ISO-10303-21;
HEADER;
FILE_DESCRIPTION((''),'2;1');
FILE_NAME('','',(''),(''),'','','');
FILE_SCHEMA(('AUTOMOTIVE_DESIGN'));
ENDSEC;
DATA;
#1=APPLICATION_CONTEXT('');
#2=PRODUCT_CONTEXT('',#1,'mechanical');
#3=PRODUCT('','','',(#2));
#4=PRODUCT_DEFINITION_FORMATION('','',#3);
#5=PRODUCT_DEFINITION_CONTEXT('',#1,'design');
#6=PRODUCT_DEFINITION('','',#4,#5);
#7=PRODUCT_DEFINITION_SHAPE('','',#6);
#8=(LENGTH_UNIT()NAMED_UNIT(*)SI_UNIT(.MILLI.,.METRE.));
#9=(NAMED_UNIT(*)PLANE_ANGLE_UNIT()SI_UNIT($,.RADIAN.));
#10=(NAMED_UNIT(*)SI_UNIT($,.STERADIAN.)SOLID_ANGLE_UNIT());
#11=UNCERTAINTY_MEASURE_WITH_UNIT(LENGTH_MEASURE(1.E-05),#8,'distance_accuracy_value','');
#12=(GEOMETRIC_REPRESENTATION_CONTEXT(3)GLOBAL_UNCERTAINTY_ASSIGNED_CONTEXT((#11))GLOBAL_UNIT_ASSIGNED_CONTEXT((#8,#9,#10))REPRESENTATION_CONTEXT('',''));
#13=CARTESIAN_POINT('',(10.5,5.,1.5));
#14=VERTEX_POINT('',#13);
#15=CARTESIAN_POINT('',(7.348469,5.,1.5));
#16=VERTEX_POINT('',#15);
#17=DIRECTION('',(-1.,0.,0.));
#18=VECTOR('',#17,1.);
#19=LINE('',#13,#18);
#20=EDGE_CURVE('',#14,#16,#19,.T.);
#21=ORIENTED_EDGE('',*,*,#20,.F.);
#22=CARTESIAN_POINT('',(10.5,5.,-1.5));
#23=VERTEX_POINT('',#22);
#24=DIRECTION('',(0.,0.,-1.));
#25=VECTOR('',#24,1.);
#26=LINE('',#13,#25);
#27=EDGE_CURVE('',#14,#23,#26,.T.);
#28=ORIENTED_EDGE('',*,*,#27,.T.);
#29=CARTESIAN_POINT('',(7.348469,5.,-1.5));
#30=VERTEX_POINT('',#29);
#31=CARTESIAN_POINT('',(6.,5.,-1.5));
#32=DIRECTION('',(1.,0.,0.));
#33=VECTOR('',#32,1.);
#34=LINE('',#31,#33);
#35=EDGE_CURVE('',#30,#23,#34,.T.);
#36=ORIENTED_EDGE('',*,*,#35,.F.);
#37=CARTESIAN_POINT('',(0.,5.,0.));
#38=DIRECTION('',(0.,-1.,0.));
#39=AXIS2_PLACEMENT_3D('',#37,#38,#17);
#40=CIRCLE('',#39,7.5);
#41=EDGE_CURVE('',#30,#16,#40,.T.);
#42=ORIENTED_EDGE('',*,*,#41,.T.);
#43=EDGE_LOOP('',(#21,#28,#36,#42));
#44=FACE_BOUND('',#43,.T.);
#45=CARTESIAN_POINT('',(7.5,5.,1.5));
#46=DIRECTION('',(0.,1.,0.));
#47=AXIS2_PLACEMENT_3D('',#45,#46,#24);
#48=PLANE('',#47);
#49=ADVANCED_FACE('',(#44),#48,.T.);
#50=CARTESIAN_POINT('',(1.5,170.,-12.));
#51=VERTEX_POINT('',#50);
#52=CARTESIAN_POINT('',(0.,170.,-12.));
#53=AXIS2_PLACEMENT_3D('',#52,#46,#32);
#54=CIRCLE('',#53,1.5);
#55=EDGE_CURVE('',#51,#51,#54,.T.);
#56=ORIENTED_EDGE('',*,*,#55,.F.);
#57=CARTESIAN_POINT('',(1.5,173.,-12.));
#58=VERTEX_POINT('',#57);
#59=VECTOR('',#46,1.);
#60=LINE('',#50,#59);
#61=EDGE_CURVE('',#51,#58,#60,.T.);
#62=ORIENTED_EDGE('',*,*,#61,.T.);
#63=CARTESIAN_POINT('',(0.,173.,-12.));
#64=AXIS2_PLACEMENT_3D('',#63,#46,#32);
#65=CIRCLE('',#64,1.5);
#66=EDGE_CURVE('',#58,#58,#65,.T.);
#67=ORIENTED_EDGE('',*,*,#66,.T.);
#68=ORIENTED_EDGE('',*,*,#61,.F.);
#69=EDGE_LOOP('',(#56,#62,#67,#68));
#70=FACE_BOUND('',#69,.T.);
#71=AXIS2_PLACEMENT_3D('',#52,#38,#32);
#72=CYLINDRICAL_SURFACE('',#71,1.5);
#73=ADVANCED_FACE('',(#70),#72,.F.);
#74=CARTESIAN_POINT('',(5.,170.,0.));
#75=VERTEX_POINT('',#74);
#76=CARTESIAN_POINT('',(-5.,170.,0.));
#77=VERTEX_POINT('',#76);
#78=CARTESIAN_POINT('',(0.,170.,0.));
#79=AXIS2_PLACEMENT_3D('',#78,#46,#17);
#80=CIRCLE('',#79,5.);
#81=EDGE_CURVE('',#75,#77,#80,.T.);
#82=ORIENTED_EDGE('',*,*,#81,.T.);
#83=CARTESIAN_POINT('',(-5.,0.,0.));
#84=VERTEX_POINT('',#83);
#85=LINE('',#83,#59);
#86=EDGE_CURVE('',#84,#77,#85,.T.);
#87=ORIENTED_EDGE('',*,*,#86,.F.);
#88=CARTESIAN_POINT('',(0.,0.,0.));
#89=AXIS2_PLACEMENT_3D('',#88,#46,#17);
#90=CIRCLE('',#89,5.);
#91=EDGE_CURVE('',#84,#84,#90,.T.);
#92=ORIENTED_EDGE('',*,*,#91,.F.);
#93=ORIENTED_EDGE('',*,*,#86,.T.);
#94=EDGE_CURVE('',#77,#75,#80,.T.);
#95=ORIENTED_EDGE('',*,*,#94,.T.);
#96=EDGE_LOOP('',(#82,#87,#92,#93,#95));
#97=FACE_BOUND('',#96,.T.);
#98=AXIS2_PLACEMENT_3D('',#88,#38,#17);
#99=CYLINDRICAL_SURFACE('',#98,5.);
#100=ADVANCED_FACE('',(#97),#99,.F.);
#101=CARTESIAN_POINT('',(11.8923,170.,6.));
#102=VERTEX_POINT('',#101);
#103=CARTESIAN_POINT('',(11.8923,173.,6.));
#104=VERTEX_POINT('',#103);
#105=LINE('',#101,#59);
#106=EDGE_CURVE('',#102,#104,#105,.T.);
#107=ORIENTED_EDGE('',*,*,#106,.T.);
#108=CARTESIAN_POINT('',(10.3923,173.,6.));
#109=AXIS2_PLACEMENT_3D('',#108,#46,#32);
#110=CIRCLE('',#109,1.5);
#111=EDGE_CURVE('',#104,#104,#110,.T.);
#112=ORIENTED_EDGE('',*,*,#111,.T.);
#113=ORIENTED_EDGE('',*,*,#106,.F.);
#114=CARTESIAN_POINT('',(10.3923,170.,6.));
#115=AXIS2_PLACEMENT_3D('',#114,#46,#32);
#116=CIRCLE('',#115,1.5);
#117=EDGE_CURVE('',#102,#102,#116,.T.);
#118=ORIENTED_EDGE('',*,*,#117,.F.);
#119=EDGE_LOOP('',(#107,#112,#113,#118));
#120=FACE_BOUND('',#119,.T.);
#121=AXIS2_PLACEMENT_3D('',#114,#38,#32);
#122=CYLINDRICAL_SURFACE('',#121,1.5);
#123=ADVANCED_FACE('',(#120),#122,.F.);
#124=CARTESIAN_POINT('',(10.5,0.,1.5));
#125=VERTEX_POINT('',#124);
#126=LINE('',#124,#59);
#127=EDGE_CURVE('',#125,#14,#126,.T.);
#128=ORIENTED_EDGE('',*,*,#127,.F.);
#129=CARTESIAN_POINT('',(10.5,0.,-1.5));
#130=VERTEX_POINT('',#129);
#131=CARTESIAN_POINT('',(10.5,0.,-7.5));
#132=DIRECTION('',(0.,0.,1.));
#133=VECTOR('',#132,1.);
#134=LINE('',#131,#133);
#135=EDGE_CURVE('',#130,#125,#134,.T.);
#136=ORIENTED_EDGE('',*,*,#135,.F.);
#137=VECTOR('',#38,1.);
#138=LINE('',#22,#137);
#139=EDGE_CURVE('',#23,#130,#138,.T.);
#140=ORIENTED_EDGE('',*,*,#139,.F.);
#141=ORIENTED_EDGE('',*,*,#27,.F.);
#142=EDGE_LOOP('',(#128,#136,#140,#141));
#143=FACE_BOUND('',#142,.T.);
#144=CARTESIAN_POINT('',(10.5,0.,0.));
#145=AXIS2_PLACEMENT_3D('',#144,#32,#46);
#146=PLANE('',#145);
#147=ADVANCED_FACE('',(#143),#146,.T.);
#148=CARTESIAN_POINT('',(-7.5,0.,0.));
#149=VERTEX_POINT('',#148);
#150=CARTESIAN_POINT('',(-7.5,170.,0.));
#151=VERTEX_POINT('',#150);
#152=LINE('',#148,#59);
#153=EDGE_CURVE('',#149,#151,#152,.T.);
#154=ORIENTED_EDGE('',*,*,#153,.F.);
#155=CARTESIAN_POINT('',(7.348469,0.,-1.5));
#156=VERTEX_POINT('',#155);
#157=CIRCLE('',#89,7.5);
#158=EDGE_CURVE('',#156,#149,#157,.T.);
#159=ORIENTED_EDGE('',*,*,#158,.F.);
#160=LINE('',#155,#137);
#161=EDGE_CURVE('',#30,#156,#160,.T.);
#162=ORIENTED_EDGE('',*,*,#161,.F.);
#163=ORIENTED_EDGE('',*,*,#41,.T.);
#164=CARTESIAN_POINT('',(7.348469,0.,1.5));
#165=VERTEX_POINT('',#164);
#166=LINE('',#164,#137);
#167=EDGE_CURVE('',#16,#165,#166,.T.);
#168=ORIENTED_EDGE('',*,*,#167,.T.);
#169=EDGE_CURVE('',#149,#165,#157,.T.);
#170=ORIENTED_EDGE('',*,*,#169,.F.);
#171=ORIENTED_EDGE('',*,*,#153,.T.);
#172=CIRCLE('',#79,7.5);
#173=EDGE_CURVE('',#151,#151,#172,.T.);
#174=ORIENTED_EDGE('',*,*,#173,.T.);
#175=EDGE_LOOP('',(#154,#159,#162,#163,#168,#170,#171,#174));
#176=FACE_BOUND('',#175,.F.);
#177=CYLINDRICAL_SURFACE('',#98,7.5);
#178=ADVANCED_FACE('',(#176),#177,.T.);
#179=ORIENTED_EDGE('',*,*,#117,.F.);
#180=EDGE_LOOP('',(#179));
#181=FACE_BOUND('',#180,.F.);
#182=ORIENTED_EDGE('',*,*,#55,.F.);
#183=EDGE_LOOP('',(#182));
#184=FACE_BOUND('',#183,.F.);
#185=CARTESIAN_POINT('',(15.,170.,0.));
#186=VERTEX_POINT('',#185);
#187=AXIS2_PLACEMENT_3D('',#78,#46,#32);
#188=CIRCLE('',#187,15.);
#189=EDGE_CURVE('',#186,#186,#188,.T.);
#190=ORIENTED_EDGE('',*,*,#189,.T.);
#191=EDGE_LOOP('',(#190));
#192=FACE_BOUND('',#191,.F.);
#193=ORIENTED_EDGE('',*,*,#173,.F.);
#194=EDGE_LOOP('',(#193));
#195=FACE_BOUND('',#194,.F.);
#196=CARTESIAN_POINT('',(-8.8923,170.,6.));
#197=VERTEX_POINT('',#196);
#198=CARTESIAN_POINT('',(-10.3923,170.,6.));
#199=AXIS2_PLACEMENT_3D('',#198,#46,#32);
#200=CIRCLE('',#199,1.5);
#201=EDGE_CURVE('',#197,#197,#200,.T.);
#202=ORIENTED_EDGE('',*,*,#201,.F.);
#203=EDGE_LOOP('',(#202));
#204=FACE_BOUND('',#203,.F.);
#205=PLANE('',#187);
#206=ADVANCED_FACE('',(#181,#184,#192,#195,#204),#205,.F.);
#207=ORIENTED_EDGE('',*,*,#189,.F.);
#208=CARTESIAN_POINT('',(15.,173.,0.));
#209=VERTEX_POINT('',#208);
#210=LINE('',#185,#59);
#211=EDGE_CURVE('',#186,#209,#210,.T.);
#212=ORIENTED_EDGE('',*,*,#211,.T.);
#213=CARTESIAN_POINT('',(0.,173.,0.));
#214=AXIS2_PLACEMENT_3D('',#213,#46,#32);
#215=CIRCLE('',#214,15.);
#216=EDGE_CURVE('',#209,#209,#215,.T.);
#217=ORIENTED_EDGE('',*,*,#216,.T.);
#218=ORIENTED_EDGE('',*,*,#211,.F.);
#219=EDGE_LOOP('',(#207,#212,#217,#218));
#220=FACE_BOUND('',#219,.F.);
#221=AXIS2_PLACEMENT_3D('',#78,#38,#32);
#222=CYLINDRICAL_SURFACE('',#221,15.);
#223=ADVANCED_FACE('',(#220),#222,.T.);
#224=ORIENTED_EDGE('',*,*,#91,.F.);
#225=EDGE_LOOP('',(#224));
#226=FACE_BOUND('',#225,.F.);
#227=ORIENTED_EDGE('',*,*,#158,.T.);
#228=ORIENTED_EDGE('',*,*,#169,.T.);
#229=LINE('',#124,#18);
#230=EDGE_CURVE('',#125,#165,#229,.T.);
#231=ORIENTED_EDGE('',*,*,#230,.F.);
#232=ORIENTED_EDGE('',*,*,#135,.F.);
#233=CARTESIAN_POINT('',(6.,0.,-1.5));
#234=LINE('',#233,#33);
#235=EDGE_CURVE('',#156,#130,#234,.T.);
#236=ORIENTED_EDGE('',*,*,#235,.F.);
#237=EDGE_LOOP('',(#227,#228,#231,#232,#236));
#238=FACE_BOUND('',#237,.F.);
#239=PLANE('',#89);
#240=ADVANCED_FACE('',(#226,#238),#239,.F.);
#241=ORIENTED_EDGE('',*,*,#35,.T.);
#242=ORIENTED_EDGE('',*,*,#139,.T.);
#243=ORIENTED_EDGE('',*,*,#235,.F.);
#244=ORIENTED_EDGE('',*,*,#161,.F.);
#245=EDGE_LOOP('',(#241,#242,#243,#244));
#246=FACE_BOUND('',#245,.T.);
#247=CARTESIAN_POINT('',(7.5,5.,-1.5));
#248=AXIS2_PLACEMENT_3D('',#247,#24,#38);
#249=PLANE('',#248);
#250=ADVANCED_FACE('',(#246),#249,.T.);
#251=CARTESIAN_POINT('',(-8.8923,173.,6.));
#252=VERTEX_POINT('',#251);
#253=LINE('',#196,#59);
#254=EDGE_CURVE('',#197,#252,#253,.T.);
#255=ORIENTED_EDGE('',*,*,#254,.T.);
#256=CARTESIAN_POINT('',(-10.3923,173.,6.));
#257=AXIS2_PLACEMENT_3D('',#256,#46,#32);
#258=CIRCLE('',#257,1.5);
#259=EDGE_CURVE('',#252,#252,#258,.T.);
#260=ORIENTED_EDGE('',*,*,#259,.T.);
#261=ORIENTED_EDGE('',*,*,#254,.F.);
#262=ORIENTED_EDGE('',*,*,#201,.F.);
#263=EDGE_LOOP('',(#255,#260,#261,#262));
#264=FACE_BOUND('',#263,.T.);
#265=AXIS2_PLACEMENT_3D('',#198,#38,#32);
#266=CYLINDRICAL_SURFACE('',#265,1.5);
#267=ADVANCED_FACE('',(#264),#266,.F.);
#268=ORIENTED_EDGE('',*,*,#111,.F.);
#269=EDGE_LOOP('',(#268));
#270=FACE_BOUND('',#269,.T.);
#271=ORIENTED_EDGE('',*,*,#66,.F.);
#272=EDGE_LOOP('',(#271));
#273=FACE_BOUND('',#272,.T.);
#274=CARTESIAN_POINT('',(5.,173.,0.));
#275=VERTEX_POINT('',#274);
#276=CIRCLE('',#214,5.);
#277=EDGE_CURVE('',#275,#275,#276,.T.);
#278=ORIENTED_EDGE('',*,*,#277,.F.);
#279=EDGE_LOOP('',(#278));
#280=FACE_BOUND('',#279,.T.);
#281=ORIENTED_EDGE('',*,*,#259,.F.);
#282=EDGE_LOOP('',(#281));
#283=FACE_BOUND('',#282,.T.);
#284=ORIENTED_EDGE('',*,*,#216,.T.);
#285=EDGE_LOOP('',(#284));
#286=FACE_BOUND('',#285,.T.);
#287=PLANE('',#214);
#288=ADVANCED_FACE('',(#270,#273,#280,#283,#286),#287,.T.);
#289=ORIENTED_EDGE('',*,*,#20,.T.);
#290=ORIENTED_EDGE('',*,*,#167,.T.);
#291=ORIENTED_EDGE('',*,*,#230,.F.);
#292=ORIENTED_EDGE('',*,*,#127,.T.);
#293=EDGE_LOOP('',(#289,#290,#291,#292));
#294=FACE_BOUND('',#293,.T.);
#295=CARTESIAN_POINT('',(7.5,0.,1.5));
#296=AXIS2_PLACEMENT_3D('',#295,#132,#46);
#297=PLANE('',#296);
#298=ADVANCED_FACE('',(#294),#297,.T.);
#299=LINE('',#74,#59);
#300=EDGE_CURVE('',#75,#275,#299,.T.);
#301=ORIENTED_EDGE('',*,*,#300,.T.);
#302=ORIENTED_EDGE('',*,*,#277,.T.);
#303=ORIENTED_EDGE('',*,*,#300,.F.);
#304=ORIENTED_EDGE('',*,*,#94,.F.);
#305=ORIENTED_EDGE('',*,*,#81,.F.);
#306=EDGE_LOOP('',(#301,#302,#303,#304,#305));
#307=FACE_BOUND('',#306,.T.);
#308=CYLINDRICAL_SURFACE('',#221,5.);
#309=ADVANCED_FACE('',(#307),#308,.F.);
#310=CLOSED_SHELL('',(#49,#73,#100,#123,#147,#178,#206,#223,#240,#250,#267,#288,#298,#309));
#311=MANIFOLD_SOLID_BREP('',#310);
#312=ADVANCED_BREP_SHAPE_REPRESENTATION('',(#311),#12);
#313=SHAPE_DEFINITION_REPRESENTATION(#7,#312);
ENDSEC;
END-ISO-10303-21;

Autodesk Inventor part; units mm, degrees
ref_plane "XZ Plane" through (0, 0, 0) normal (0, 1, 0) x (-1, 0, 0)
ref_plane "XY Plane" through (0, 0, 0) normal (0, 0, 1) x (1, 0, 0)
sketch "Sketch1" plane through (0, 0, 0) normal (0, 1, 0) x (-1, 0, 0)
  circle A0 centre (0, 0) radius 7.5
  circle A1 centre (0, 0) radius 5
  dimension "d0" = 2.5
  dimension "d1" = 15
extrude "Extrusion1" add sketch "Sketch1" along normal blind 170
ref_plane "Work Plane1" through (7.5, 0, 0) normal (1, 0, 0) x (0, 1, 0)
sketch "Sketch2" plane through (7.5, 0, 0) normal (1, 0, 0) x (0, 1, 0)
  line L0 (0, -7.5) -> (0, 7.5) projected
  line L1 (0, -1.5) -> (0, 1.5)
  line L2 (0, 1.5) -> (5, 1.5)
  line L3 (5, 1.5) -> (5, -1.5)
  line L4 (5, -1.5) -> (0, -1.5)
  point P0 (0, 0)
  dimension "d4" = 1.5
  dimension "d5" = 1.5
  dimension "d6" = 5
extrude "Extrusion2" add sketch "Sketch2" along normal blind 3 and the other way blind 1.5
sketch "Sketch4" plane through (0, 170, 0) normal (0, 1, 0) x (1, 0, 0)
  circle A0 centre (0, 0) radius 15
  circle A1 centre (0, 0) radius 5 projected
  circle A2 centre (0, 12) radius 1.5
  circle A3 centre (-10.3923, -6) radius 1.5
  circle A4 centre (10.3923, -6) radius 1.5
  dimension "d11" = 30
  dimension "d12" = 12
  dimension "d13" = 3
  dimension "d16" = 360
extrude "Extrusion3" add sketch "Sketch4" along normal blind 3
properties part number "15"
